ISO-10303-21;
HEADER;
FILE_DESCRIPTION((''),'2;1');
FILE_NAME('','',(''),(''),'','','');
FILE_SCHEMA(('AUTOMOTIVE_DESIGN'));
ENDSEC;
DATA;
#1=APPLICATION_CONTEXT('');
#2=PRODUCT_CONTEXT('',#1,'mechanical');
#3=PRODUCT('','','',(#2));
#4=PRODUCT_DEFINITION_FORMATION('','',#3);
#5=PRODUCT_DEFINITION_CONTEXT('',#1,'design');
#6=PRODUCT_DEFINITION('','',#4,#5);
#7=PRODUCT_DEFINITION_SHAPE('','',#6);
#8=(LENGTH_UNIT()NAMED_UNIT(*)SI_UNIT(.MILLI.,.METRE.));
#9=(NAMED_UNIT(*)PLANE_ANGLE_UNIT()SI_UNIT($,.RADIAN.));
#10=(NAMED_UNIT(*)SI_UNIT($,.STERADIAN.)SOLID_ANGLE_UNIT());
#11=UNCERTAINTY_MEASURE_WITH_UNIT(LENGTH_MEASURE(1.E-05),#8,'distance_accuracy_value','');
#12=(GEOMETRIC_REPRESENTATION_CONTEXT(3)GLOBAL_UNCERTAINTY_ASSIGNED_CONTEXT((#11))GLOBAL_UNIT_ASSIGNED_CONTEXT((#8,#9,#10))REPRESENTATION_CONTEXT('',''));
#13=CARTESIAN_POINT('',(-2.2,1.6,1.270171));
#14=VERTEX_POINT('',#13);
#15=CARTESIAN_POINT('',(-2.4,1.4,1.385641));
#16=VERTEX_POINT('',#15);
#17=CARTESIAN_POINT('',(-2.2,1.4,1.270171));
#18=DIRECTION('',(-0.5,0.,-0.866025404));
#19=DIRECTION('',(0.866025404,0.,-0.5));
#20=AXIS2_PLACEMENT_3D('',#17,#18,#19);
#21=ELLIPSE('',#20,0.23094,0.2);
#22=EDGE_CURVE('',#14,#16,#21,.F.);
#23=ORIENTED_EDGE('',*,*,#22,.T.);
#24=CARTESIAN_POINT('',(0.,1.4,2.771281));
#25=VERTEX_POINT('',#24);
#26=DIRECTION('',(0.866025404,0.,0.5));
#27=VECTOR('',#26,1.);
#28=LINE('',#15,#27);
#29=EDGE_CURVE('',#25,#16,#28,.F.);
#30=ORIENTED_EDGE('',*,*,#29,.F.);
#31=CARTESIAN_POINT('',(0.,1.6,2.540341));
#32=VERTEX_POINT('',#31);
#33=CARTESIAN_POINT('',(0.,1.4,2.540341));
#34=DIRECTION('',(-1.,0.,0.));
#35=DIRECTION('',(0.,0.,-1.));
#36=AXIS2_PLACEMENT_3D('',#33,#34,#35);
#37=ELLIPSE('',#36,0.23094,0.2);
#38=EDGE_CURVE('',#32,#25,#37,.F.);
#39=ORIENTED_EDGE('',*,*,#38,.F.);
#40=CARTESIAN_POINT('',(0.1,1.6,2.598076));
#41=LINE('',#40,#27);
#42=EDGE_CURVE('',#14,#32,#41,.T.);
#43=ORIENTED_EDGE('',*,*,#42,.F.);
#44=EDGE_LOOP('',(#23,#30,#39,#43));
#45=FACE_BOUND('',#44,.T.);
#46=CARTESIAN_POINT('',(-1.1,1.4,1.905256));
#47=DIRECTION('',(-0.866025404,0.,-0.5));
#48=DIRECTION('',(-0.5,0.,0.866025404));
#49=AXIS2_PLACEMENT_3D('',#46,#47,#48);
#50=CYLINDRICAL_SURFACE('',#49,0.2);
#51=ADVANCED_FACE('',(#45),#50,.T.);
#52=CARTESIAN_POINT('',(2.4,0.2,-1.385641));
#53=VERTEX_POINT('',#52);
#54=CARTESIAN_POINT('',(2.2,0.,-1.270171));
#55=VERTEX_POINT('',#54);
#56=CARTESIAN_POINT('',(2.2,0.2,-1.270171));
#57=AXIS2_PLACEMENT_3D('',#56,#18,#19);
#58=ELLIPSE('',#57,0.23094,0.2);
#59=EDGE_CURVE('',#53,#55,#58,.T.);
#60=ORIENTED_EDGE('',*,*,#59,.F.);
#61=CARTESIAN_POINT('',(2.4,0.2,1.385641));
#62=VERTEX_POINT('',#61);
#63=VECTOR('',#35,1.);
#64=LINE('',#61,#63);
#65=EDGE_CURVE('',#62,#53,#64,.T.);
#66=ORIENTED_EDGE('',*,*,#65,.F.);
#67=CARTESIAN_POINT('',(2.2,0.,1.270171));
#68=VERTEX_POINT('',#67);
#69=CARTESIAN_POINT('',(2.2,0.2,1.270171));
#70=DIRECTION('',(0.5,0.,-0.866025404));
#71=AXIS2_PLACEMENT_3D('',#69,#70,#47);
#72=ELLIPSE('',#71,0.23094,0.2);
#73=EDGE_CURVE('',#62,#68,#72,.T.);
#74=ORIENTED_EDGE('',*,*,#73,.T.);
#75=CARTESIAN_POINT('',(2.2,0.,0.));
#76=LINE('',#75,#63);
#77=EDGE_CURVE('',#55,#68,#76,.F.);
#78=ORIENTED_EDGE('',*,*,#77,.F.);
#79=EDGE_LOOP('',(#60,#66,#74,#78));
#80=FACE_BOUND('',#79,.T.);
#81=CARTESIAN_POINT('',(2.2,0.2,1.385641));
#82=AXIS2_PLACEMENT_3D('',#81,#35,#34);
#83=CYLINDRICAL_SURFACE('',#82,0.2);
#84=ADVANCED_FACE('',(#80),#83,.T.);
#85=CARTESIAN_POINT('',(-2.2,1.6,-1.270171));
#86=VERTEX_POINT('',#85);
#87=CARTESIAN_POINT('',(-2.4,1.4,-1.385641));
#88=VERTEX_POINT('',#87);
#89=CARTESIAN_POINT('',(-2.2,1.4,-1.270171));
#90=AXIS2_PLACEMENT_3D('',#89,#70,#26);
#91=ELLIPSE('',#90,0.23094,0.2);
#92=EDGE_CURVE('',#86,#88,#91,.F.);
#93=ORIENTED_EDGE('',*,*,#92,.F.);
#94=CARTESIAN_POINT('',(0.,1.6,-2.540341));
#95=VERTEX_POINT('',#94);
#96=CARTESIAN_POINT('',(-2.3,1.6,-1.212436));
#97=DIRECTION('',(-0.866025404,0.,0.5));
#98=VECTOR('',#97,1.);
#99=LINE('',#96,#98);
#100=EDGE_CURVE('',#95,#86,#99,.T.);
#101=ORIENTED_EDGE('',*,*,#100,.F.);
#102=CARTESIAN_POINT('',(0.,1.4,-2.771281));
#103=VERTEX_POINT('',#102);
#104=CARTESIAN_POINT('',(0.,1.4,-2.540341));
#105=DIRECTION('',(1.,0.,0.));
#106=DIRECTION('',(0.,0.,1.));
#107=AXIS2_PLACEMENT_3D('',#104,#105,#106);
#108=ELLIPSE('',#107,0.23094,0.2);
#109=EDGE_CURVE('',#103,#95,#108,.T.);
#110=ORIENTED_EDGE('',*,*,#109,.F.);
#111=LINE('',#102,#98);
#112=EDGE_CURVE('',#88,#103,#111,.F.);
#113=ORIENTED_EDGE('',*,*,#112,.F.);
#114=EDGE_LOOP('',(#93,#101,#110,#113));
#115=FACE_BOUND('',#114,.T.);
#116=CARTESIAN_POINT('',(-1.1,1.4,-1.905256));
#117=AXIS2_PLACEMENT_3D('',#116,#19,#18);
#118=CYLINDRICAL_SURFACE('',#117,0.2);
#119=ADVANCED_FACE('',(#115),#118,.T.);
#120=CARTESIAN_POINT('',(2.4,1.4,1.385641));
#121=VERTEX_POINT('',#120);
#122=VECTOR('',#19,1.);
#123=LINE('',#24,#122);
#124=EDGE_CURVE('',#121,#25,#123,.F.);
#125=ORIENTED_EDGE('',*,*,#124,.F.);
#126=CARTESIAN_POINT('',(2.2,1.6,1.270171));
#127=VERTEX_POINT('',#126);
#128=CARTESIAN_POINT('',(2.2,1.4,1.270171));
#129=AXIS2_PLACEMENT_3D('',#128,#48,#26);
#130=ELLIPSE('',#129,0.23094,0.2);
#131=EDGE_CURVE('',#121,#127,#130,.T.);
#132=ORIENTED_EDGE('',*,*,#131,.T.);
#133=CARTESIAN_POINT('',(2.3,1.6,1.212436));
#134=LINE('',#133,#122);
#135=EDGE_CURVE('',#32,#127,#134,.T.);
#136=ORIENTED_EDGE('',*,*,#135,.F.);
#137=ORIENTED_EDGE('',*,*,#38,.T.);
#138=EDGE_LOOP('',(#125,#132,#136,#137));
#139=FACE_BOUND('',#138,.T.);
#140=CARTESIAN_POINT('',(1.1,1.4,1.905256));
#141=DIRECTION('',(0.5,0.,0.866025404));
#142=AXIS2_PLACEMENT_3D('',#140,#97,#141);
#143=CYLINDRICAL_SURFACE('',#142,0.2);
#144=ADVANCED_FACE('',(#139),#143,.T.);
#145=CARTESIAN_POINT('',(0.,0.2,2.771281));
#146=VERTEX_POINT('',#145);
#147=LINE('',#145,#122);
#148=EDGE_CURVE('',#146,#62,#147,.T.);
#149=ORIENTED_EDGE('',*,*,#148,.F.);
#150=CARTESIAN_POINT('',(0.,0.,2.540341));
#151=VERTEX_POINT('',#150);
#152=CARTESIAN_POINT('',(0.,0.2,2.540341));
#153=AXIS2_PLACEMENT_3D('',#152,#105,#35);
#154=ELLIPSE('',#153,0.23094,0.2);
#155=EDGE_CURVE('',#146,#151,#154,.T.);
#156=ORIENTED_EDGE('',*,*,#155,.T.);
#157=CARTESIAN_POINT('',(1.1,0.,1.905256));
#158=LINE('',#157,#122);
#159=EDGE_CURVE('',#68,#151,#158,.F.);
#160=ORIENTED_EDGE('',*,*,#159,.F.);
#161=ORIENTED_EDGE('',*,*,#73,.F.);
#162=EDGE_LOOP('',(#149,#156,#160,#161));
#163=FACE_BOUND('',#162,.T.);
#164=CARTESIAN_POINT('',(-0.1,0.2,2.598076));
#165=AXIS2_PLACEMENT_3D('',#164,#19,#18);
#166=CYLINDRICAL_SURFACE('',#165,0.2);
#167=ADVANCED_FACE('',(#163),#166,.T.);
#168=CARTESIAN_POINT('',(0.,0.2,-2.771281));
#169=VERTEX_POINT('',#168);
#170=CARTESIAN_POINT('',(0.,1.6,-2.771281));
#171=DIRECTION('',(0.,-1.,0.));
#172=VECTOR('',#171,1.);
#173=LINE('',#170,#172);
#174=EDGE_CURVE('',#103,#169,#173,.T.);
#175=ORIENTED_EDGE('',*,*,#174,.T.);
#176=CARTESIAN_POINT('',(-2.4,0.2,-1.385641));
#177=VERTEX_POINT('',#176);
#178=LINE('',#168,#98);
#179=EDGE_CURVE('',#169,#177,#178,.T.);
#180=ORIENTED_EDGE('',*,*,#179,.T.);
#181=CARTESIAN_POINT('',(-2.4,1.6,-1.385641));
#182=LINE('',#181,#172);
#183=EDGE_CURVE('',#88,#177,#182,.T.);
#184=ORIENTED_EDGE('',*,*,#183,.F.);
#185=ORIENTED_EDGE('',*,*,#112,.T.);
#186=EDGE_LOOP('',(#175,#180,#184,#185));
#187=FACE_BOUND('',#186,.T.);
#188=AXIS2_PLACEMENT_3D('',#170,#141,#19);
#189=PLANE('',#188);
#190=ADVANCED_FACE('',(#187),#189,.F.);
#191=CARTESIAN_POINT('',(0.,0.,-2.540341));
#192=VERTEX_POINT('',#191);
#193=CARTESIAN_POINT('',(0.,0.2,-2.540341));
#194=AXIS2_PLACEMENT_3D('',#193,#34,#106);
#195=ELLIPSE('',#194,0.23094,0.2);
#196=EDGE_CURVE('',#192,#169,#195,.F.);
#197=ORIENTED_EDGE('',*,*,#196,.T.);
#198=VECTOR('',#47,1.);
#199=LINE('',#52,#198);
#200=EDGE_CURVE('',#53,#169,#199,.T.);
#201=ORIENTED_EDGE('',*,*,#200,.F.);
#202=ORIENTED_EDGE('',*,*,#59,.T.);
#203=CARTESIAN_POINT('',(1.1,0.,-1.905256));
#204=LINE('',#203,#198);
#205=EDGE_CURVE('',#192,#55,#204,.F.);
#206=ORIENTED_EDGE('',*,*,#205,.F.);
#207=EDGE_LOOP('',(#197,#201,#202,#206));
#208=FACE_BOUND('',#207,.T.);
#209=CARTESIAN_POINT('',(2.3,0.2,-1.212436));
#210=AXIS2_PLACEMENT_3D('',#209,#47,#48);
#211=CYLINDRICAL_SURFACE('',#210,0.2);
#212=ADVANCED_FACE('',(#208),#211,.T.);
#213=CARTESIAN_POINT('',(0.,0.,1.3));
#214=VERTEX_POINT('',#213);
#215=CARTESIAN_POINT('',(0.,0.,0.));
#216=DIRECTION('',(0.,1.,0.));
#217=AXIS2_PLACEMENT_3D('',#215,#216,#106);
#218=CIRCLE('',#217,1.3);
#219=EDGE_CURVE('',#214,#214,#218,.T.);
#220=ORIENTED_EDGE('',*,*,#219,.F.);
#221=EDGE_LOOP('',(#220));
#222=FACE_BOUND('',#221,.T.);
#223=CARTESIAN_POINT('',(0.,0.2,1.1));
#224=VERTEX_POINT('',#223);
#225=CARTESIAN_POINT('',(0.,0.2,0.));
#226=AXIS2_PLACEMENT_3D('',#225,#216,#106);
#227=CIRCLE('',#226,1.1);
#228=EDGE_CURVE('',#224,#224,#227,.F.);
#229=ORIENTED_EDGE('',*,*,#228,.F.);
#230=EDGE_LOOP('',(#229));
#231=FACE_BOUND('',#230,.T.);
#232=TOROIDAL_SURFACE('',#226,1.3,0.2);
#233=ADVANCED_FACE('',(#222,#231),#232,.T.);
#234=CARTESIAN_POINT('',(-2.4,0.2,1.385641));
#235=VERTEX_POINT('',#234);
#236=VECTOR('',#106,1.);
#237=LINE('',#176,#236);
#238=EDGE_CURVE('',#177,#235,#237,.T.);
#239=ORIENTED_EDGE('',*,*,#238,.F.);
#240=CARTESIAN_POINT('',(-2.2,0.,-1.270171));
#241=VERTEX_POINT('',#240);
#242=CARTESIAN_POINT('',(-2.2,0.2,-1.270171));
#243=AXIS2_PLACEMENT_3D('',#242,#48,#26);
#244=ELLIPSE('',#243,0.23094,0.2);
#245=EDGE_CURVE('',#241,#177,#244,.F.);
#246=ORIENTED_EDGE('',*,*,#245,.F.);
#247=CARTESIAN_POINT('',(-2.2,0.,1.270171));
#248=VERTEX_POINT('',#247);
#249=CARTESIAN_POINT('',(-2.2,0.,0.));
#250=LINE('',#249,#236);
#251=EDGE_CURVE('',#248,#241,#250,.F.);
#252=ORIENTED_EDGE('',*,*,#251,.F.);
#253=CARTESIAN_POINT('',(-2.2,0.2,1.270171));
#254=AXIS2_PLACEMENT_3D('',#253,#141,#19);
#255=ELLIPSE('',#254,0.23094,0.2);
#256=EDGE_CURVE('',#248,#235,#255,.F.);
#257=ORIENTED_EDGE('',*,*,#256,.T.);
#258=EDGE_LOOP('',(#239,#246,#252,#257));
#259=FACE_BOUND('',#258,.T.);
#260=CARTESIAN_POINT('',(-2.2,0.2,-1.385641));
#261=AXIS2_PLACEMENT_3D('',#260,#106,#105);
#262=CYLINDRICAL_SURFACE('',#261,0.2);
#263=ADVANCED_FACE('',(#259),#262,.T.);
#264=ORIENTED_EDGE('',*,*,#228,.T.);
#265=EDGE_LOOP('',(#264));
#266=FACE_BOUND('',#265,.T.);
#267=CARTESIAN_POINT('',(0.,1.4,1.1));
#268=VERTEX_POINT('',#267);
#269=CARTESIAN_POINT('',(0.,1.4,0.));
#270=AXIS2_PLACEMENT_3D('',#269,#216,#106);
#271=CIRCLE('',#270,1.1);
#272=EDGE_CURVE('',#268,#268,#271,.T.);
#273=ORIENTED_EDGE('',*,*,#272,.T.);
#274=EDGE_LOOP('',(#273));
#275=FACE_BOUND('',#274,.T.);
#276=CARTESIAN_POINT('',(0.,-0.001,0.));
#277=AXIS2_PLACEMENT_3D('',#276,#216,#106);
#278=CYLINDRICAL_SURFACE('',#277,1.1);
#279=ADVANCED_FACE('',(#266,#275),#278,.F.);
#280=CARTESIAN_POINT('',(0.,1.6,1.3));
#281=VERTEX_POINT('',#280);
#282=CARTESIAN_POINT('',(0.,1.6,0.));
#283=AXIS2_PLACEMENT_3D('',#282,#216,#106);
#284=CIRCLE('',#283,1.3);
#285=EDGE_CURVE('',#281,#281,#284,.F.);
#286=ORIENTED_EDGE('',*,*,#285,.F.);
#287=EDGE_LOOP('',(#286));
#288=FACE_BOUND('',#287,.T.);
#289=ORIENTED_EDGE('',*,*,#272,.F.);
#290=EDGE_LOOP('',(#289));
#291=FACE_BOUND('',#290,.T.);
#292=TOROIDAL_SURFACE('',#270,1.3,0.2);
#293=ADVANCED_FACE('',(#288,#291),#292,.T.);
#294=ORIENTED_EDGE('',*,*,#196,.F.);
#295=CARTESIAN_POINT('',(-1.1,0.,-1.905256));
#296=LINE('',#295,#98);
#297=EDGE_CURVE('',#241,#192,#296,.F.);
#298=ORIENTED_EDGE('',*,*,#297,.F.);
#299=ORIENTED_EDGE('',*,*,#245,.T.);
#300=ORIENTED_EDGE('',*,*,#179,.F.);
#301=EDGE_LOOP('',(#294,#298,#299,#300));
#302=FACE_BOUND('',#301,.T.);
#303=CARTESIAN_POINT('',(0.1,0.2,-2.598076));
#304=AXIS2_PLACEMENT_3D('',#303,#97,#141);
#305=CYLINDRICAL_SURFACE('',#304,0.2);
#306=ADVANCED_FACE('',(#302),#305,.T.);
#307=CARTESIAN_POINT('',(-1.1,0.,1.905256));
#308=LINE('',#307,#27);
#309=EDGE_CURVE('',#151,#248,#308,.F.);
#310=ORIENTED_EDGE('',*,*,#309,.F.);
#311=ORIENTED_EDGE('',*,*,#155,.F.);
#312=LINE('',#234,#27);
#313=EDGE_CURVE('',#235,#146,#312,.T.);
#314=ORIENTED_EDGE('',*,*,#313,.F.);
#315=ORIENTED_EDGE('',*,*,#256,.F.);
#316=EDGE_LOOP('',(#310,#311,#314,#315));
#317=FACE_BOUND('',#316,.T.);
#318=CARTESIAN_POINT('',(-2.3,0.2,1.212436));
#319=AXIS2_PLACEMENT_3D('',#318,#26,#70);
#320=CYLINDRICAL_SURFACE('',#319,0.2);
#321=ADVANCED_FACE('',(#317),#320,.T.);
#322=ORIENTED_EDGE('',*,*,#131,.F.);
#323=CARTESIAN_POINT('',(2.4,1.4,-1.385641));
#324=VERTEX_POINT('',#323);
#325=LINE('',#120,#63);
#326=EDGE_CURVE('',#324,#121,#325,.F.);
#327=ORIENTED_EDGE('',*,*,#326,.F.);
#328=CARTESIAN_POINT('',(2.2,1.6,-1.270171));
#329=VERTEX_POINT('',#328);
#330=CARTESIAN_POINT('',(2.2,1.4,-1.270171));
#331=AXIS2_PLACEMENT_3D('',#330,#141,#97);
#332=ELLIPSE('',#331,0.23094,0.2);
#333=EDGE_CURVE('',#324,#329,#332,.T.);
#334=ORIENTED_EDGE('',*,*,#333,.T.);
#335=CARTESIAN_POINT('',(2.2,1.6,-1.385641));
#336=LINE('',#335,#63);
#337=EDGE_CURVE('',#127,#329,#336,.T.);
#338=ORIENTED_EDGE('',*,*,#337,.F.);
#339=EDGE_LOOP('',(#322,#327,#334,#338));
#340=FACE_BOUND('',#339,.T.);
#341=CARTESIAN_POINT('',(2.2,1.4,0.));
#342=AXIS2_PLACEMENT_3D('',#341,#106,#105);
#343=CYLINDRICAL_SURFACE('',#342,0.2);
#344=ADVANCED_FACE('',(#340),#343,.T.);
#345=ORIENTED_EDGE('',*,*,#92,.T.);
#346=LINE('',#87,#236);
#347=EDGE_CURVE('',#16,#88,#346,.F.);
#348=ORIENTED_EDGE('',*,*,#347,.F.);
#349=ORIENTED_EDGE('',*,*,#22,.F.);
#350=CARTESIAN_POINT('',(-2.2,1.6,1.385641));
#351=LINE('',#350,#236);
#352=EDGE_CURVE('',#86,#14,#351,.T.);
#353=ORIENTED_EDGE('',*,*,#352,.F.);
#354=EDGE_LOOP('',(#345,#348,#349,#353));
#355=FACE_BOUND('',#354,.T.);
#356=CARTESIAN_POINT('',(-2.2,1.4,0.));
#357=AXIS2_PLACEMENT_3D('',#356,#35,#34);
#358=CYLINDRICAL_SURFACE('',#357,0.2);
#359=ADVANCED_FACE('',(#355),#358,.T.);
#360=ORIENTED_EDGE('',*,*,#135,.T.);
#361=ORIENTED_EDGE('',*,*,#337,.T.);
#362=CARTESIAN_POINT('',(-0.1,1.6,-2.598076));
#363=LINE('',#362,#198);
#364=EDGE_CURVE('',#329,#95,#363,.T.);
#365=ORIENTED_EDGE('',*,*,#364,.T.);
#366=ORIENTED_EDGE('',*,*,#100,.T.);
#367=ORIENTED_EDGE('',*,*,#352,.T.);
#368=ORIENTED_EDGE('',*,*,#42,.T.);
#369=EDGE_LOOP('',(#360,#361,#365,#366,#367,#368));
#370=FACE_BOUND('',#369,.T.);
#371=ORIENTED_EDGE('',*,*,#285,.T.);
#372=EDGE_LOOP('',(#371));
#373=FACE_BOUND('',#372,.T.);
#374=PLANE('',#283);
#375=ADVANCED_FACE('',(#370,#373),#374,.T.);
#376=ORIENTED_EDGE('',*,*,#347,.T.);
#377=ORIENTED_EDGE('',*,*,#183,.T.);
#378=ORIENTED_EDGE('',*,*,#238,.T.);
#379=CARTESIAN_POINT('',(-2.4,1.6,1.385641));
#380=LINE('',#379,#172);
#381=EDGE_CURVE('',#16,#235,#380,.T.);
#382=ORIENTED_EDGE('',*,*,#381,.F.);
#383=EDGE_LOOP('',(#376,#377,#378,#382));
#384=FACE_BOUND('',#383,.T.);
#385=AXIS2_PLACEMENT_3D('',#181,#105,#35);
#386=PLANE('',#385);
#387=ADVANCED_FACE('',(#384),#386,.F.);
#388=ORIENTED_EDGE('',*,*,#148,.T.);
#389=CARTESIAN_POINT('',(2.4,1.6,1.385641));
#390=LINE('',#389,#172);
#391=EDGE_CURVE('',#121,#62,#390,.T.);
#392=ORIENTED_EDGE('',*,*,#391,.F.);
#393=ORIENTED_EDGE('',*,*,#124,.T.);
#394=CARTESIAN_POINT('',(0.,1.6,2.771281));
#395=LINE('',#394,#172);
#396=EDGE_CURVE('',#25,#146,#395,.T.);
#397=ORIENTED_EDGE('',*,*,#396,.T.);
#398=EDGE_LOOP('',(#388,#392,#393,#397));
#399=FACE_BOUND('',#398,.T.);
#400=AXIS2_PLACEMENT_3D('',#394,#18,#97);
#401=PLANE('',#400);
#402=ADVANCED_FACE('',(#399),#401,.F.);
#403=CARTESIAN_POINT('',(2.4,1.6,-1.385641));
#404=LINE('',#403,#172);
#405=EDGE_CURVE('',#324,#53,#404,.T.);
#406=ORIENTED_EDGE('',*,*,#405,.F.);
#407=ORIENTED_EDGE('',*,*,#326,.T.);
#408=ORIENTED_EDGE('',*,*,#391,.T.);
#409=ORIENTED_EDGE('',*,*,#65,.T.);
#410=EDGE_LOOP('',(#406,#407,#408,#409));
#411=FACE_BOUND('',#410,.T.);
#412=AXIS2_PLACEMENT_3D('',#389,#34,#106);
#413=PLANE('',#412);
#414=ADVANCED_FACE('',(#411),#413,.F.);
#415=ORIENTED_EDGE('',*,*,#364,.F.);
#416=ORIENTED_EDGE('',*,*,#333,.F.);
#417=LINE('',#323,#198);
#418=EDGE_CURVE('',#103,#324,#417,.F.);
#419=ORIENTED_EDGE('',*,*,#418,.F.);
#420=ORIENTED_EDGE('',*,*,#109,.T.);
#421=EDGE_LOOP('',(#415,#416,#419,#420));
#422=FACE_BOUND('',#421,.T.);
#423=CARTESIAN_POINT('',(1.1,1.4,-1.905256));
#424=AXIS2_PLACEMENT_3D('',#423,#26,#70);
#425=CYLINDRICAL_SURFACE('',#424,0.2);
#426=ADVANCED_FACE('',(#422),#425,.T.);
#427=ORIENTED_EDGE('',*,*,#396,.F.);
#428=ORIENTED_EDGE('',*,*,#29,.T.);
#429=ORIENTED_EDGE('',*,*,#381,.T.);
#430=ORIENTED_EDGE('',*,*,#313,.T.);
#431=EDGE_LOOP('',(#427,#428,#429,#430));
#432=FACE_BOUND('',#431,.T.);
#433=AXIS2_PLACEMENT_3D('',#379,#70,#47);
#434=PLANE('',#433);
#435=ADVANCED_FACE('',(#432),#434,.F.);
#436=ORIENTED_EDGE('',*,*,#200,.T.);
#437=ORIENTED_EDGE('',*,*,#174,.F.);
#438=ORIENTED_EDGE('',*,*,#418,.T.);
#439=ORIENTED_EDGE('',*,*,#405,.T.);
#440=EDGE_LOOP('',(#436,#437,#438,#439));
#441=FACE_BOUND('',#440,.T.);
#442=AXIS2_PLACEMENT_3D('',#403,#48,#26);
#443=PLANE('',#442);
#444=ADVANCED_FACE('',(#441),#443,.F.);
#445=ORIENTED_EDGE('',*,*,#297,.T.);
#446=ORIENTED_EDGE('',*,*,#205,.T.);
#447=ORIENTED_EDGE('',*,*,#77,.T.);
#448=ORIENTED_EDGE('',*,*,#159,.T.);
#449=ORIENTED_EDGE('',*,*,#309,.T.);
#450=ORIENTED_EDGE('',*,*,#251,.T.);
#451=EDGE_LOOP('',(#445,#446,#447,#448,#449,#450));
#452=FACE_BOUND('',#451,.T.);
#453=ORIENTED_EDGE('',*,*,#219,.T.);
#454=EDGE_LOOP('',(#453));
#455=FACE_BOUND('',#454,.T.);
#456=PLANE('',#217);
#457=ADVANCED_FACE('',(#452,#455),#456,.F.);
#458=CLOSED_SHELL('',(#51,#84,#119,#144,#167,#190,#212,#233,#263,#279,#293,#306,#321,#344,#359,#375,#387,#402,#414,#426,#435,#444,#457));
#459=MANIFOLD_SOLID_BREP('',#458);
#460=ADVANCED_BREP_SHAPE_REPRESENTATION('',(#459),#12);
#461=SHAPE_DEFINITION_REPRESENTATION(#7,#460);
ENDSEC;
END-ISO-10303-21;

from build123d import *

# Parameters (mm, degrees)
BOSS_EXTRUDE1_DEPTH = 1.6
CUT_EXTRUDE1_REACH  = 6
SKETCH2_R           = 1.1
FILLET1_R           = 0.2


with BuildPart() as part:
    # Sketch1 → Boss-Extrude1 (new body)
    with BuildSketch(Plane(origin=(0, 0, 0), x_dir=(1, 0, 0), z_dir=(0, 1, 0))):
        Polygon((2.4, 1.385640646), (0, 2.771281292), (-2.4, 1.385640646), (-2.4, -1.385640646), (0, -2.771281292), (2.4, -1.385640646), align=None)
    extrude(amount=BOSS_EXTRUDE1_DEPTH)

    # Sketch2 → Cut-Extrude1 (cut, up to next)
    with BuildSketch(Plane(origin=(0, 1.6, 0), x_dir=(1, 0, 0), z_dir=(0, 1, 0)), mode=Mode.PRIVATE) as cut_extrude1_sk1:
        with Locations(Location((0, 0, 0), (0, 0, 270))):
            Circle(SKETCH2_R)
    cut_extrude1_tool1 = extrude(cut_extrude1_sk1.sketch, amount=-CUT_EXTRUDE1_REACH, mode=Mode.PRIVATE) & part.part
    add(cut_extrude1_tool1.solids().sort_by_distance((0, 1.6, 0))[0], mode=Mode.SUBTRACT)

    # Fillet1
    fillet1_edges = [part.edges().sort_by_distance(p)[0] for p in [
        (-1.2, 1.6, -2.078460969),
        (-2.4, 1.6, 0),
        (-1.2, 1.6, 2.078460969),
        (0, 1.6, -1.1),
        (0, 0, -1.1),
        (1.2, 1.6, 2.078460969),
        (2.4, 1.6, 0),
        (1.2, 0, 2.078460969),
        (-1.2, 0, 2.078460969),
        (-2.4, 0, 0),
        (-1.2, 0, -2.078460969),
        (1.2, 0, -2.078460969),
        (2.4, 0, 0),
        (1.2, 1.6, -2.078460969),
    ]]
    fillet(fillet1_edges, radius=FILLET1_R)


solid = part.part
